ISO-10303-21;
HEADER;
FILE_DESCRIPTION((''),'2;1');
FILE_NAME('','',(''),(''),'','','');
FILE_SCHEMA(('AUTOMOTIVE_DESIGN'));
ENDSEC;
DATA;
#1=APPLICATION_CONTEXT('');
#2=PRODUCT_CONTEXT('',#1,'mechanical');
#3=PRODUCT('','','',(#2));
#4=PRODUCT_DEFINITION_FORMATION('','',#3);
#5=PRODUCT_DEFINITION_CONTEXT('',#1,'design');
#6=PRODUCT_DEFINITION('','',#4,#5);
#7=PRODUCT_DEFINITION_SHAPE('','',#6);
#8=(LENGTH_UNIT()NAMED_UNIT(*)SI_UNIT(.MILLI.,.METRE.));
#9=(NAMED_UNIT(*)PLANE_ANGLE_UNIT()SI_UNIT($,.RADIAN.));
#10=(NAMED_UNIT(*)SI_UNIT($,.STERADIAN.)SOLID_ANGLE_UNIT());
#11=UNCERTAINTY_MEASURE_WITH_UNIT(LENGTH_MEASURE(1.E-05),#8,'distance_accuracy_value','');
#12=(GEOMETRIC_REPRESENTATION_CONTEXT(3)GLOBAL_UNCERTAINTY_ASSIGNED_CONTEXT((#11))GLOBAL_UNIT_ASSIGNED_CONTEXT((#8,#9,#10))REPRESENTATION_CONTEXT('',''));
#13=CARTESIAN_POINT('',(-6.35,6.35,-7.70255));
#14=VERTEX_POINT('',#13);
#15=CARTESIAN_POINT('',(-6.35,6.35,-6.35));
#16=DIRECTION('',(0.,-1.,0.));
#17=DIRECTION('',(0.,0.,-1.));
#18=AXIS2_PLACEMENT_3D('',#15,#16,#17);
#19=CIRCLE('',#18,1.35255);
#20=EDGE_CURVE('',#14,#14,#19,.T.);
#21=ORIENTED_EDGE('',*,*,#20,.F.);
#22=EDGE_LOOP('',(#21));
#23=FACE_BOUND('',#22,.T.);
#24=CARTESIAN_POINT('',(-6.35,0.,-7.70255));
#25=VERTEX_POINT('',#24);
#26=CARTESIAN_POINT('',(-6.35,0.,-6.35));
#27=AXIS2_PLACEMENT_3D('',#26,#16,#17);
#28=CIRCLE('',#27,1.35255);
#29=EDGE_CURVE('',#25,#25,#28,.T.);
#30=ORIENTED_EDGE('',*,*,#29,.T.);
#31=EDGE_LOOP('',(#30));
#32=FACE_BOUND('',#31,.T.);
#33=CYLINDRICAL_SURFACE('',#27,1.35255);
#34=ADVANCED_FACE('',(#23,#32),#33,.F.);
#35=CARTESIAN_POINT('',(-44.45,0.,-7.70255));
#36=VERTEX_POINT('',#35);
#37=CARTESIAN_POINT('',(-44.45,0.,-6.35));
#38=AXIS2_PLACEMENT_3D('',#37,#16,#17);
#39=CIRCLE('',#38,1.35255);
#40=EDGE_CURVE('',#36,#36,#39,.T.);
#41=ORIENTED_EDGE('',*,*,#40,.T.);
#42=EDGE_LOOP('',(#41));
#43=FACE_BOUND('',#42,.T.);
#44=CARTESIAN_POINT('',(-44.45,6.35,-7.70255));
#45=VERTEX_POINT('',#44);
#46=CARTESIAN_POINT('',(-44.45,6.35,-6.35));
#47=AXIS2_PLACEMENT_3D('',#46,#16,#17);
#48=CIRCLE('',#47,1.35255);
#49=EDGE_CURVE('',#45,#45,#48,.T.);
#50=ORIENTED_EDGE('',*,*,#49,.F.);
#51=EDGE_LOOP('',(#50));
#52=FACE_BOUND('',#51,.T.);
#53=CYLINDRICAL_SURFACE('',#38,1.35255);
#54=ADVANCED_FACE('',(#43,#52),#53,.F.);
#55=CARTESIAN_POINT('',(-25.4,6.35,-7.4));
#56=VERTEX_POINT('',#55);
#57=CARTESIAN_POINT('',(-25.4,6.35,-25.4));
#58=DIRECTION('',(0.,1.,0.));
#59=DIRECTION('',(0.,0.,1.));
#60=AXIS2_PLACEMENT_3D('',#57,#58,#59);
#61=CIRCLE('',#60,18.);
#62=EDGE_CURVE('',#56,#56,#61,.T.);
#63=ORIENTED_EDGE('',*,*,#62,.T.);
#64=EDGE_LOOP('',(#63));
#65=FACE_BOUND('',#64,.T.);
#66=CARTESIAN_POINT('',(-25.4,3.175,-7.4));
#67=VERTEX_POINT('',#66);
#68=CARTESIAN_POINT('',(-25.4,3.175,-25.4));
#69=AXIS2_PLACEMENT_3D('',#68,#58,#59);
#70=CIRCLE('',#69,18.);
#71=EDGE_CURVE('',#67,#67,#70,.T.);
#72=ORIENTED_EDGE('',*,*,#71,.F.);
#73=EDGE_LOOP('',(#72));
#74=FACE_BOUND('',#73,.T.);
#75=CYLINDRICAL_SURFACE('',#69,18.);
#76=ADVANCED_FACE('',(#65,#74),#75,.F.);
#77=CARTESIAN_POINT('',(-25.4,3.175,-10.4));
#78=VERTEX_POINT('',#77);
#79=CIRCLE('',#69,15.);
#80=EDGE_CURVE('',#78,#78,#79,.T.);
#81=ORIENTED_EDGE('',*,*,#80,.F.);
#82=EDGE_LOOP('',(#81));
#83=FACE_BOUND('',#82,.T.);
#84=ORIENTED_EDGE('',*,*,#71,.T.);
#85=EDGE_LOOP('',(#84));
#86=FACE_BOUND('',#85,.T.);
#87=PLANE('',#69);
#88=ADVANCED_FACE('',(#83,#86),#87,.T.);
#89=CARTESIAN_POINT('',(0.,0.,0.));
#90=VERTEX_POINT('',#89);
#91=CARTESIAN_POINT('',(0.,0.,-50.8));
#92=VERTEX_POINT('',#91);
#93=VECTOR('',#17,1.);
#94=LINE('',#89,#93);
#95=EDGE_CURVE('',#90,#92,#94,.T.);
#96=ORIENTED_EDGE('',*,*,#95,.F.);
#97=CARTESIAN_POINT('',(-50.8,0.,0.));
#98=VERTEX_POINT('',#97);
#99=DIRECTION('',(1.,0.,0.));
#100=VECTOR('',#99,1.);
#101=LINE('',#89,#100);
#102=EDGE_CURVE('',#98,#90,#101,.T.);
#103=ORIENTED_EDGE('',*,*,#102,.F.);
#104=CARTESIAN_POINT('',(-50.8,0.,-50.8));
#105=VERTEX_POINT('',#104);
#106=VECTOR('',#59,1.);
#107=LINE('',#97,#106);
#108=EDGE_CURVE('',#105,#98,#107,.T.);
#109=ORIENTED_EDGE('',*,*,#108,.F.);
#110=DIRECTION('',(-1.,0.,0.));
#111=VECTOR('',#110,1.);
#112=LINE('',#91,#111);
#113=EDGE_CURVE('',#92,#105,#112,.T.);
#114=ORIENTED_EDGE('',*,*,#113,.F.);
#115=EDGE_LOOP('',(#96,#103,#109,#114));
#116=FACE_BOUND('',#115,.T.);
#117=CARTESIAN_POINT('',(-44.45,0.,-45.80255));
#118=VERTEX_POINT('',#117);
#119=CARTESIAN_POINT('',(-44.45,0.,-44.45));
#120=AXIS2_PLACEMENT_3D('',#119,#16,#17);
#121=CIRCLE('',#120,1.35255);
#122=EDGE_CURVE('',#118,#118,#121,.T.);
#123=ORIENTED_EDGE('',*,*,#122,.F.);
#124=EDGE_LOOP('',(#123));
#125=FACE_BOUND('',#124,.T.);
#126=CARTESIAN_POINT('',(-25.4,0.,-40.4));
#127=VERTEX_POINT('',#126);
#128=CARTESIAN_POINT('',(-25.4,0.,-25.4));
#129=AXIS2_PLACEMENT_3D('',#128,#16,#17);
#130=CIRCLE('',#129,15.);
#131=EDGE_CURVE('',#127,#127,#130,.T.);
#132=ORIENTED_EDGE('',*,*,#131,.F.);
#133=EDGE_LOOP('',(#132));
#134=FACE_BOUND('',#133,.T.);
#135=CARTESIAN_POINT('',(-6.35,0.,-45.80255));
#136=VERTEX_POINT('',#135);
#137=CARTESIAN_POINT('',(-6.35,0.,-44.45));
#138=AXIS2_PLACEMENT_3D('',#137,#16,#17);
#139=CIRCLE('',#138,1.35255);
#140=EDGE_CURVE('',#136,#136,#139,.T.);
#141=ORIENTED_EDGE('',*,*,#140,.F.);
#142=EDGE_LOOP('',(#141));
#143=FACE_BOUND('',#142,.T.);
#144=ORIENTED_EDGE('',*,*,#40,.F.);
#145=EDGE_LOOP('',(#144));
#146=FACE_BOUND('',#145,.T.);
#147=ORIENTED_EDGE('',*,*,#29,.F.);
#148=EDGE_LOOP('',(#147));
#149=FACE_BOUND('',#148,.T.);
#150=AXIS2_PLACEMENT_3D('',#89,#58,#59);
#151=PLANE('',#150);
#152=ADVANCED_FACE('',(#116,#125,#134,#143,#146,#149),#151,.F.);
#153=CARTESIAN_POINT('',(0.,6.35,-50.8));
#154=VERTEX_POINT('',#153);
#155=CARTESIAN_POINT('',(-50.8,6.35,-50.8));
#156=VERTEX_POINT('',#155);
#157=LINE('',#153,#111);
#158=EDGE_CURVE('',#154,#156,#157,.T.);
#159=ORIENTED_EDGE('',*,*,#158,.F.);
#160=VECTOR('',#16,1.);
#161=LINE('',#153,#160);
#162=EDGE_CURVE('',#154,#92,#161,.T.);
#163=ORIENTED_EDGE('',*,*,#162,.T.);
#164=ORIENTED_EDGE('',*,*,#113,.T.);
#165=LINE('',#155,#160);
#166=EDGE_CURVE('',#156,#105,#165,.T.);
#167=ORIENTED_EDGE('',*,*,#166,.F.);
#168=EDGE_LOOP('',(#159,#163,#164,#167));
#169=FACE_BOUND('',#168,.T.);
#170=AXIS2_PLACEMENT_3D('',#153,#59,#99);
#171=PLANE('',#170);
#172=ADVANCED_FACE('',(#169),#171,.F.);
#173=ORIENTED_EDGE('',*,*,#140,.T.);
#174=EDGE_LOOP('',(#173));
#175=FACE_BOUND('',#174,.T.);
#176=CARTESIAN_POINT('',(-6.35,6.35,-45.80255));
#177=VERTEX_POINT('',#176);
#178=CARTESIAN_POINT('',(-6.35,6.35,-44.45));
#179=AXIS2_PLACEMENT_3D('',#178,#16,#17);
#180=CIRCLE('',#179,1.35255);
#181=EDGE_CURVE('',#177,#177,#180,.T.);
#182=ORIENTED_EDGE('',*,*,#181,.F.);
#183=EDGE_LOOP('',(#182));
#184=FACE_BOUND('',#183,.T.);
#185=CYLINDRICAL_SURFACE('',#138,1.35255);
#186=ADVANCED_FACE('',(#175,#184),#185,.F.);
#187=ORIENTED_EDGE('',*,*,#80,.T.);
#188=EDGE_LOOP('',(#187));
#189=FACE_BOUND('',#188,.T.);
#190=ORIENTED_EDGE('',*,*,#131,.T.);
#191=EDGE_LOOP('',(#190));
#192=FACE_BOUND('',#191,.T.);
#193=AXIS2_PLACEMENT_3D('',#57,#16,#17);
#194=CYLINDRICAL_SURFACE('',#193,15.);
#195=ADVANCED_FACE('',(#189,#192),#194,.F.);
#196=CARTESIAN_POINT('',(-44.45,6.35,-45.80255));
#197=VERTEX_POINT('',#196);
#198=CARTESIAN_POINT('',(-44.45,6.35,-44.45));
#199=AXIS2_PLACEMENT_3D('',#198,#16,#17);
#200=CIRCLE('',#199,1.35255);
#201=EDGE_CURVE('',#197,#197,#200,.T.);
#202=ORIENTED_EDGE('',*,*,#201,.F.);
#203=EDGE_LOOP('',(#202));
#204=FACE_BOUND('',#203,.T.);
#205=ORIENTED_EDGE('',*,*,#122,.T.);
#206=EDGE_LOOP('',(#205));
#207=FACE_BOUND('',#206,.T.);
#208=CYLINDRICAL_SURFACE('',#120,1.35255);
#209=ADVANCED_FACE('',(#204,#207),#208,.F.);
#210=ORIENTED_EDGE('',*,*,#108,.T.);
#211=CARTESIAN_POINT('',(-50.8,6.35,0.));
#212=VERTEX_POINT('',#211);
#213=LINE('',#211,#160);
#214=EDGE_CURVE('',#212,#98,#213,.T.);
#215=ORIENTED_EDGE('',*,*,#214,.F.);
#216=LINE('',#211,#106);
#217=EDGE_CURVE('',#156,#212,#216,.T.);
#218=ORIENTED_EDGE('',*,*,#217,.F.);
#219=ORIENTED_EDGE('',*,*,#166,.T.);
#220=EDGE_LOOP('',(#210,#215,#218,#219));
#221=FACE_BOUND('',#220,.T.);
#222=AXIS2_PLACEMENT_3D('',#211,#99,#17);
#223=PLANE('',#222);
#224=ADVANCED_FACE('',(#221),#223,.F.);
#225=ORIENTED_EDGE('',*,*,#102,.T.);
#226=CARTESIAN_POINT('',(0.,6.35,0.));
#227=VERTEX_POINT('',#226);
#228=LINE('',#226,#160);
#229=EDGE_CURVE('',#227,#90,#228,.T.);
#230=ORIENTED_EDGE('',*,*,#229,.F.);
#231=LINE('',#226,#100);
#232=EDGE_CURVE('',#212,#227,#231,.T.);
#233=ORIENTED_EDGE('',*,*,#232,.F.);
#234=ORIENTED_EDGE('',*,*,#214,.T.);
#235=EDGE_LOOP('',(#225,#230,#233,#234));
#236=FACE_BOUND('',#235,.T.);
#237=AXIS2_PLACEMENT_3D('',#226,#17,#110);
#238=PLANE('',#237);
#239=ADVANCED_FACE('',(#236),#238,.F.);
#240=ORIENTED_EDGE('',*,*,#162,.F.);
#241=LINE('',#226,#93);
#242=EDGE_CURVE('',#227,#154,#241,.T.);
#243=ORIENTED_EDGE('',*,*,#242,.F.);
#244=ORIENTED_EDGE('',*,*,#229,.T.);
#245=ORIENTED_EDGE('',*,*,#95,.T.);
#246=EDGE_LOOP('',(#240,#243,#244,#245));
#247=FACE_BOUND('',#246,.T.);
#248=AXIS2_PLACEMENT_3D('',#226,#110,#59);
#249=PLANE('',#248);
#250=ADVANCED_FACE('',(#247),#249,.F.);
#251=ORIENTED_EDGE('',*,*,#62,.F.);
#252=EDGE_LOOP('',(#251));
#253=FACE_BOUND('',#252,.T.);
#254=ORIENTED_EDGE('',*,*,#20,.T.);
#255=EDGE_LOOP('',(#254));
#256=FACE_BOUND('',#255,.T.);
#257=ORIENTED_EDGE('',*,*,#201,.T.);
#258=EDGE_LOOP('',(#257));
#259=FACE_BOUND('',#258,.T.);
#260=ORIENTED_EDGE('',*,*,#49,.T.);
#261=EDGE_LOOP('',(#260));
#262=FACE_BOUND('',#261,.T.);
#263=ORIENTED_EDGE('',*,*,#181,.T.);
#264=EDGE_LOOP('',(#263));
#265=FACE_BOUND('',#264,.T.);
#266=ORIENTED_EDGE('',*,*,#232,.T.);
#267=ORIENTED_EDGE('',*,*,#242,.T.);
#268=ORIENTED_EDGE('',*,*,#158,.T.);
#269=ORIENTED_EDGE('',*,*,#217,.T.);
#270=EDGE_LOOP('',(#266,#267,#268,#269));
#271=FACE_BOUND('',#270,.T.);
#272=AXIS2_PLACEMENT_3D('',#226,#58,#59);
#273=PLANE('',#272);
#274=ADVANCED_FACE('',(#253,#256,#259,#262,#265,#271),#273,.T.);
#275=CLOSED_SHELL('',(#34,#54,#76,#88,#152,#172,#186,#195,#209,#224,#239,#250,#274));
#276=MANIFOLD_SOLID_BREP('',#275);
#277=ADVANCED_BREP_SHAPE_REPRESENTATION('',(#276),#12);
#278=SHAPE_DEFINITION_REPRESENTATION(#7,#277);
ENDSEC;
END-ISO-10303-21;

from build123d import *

# Parameters (mm, degrees)
SKETCH2_W                 = 50.8
SKETCH2_H                 = 50.8
BOSS_EXTRUDE1_DEPTH       = 6.35
SKETCH3_R                 = 18
CUT_EXTRUDE1_DEPTH        = 3.175
SKETCH4_R                 = 15
CUT_EXTRUDE2_DEPTH        = 73.122135992
TAP_DRILL_FOR_6_32_TAP1_D = 2.7051


with BuildPart() as part:
    # Sketch2 → Boss-Extrude1 (new body)
    with BuildSketch(Plane(origin=(0, 0, 0), x_dir=(1, 0, 0), z_dir=(0, 1, 0))):
        with Locations((-25.4, 25.4)):
            Rectangle(SKETCH2_W, SKETCH2_H)
    extrude(amount=BOSS_EXTRUDE1_DEPTH)

    # Sketch3 → Cut-Extrude1 (cut)
    with BuildSketch(Plane(origin=(0, 6.35, 0), x_dir=(1, 0, 0), z_dir=(0, 1, 0))):
        with Locations(Location((-25.4, 25.4, 0), (0, 0, 270))):
            Circle(SKETCH3_R)
    extrude(amount=-CUT_EXTRUDE1_DEPTH, mode=Mode.SUBTRACT)

    # Sketch4 → Cut-Extrude2 (cut, through all)
    with BuildSketch(Plane(origin=(0, 0, 0), x_dir=(-1, 0, 0), z_dir=(0, -1, 0))):
        with Locations(Location((25.4, 25.4, 0), (0, 0, 90))):
            Circle(SKETCH4_R)
    extrude(amount=-CUT_EXTRUDE2_DEPTH, mode=Mode.SUBTRACT)

    # Tap Drill for #6-32 Tap1 (through all)
    with Locations(Plane(origin=(0, 0, 0), x_dir=(-1, 0, 0), z_dir=(0, -1, 0))):
        with Locations((6.35, 6.35), (6.35, 44.45), (44.45, 44.45), (44.45, 6.35), (25.4, 25.4)):
            Hole(TAP_DRILL_FOR_6_32_TAP1_D / 2)


solid = part.part
